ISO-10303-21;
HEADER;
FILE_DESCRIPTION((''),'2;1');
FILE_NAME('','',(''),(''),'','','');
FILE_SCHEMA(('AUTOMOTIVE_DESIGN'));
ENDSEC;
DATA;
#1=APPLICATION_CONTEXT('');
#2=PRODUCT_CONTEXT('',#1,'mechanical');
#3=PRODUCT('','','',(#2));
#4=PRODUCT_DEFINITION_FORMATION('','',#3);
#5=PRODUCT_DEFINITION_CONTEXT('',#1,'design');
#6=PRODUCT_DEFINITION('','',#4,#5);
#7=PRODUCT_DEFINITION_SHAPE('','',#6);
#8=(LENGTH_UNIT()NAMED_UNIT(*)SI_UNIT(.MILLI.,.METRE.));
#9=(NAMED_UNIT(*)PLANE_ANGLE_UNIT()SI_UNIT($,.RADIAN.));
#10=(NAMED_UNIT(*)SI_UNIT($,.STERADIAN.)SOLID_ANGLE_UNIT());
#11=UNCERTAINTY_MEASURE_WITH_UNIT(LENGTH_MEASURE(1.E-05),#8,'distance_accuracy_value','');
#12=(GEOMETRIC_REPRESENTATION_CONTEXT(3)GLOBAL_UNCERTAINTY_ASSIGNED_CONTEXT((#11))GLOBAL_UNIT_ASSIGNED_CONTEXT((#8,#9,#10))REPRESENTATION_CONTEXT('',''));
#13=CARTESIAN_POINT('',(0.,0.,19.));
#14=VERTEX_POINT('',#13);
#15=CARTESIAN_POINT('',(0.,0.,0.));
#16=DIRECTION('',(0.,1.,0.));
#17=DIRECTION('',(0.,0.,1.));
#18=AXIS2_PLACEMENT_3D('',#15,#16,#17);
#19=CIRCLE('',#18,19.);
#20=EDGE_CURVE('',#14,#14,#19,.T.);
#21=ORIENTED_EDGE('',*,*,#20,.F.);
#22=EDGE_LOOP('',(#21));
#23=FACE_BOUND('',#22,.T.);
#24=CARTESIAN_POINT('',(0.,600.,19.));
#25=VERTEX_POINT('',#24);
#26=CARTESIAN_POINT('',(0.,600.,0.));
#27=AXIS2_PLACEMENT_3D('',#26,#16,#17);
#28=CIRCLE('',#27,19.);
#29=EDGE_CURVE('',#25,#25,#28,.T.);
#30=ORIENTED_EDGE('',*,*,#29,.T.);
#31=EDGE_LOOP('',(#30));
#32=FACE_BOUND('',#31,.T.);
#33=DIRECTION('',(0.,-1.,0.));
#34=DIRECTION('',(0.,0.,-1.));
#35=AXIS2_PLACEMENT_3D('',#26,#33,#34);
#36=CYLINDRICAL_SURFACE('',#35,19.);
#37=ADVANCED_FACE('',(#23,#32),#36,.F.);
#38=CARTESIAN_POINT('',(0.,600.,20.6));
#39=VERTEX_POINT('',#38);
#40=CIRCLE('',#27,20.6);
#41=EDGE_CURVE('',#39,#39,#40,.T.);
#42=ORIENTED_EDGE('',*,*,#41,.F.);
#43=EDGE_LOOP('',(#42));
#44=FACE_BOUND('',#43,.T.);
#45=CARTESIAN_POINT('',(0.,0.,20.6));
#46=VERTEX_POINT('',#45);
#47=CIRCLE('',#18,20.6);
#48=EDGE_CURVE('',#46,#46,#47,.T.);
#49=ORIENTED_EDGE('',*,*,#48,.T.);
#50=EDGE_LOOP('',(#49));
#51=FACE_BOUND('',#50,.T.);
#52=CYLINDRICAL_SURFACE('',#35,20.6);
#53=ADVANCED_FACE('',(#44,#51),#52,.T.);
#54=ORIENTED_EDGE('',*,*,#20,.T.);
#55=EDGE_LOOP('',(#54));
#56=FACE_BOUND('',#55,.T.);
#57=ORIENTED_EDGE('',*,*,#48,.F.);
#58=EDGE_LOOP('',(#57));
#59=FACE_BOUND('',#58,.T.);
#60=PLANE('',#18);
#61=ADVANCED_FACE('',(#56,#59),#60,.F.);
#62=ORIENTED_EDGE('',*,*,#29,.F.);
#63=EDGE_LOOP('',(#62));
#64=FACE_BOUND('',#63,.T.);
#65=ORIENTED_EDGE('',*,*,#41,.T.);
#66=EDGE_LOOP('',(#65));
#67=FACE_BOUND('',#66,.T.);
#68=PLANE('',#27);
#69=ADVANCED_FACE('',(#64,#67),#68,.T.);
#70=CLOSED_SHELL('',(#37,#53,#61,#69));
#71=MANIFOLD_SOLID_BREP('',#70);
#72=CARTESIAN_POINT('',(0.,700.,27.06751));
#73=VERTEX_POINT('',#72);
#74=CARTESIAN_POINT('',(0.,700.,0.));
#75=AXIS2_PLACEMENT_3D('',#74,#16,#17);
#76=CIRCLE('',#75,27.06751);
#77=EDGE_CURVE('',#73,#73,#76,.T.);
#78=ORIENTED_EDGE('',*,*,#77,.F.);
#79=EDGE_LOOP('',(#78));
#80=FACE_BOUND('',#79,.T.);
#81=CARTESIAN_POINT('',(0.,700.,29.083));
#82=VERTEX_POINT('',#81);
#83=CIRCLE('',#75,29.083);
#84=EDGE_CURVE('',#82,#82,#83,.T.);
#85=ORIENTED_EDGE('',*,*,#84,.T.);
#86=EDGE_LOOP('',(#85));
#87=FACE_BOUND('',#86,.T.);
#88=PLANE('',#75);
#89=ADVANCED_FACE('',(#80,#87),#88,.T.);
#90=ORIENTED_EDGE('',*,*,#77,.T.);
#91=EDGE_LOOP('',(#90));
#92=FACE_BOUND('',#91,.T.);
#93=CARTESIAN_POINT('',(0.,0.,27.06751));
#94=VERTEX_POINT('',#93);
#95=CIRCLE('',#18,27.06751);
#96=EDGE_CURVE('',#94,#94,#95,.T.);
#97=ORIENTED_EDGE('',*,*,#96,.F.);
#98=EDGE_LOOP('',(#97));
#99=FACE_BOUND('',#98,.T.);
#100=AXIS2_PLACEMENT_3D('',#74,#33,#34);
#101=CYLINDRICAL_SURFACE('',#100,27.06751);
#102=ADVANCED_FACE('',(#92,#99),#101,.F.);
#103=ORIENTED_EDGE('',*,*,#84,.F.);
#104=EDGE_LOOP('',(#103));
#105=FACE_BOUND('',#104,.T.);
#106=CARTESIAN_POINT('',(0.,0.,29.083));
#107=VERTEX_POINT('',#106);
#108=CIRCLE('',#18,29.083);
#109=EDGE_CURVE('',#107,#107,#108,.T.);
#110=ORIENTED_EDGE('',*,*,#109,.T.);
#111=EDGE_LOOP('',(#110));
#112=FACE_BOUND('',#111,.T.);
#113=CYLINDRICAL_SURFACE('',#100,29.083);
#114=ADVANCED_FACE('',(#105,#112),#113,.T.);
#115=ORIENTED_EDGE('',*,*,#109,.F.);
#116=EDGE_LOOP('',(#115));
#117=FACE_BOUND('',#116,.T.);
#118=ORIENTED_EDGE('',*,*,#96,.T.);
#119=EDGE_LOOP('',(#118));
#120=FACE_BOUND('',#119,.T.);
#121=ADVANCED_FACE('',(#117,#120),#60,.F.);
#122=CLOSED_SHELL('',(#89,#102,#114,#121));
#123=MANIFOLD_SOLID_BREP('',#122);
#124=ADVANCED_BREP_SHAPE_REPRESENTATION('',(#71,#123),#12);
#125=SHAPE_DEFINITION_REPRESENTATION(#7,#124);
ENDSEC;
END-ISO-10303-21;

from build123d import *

# Parameters (mm, degrees)
DRIVER_R     = 29.083
DRIVER_R_2   = 27.06751
AERO_DEPTH   = 700
DRIVER_3_R   = 20.6
DRIVER_3_R_2 = 19
MOTOR_DEPTH  = 600


with BuildPart() as part:
    # driver → aero (new body)
    with BuildSketch(Plane(origin=(0, 0, 0), x_dir=(1, 0, 0), z_dir=(0, 1, 0))):
        Circle(DRIVER_R)
        Circle(DRIVER_R_2, mode=Mode.SUBTRACT)
    extrude(amount=AERO_DEPTH)


with BuildPart() as body_2:
    # driver<3> → motor (new body)
    with BuildSketch(Plane(origin=(0, 0, 0), x_dir=(1, 0, 0), z_dir=(0, 1, 0))):
        Circle(DRIVER_3_R)
        Circle(DRIVER_3_R_2, mode=Mode.SUBTRACT)
    extrude(amount=MOTOR_DEPTH)


solid = Compound([part.part, body_2.part])
